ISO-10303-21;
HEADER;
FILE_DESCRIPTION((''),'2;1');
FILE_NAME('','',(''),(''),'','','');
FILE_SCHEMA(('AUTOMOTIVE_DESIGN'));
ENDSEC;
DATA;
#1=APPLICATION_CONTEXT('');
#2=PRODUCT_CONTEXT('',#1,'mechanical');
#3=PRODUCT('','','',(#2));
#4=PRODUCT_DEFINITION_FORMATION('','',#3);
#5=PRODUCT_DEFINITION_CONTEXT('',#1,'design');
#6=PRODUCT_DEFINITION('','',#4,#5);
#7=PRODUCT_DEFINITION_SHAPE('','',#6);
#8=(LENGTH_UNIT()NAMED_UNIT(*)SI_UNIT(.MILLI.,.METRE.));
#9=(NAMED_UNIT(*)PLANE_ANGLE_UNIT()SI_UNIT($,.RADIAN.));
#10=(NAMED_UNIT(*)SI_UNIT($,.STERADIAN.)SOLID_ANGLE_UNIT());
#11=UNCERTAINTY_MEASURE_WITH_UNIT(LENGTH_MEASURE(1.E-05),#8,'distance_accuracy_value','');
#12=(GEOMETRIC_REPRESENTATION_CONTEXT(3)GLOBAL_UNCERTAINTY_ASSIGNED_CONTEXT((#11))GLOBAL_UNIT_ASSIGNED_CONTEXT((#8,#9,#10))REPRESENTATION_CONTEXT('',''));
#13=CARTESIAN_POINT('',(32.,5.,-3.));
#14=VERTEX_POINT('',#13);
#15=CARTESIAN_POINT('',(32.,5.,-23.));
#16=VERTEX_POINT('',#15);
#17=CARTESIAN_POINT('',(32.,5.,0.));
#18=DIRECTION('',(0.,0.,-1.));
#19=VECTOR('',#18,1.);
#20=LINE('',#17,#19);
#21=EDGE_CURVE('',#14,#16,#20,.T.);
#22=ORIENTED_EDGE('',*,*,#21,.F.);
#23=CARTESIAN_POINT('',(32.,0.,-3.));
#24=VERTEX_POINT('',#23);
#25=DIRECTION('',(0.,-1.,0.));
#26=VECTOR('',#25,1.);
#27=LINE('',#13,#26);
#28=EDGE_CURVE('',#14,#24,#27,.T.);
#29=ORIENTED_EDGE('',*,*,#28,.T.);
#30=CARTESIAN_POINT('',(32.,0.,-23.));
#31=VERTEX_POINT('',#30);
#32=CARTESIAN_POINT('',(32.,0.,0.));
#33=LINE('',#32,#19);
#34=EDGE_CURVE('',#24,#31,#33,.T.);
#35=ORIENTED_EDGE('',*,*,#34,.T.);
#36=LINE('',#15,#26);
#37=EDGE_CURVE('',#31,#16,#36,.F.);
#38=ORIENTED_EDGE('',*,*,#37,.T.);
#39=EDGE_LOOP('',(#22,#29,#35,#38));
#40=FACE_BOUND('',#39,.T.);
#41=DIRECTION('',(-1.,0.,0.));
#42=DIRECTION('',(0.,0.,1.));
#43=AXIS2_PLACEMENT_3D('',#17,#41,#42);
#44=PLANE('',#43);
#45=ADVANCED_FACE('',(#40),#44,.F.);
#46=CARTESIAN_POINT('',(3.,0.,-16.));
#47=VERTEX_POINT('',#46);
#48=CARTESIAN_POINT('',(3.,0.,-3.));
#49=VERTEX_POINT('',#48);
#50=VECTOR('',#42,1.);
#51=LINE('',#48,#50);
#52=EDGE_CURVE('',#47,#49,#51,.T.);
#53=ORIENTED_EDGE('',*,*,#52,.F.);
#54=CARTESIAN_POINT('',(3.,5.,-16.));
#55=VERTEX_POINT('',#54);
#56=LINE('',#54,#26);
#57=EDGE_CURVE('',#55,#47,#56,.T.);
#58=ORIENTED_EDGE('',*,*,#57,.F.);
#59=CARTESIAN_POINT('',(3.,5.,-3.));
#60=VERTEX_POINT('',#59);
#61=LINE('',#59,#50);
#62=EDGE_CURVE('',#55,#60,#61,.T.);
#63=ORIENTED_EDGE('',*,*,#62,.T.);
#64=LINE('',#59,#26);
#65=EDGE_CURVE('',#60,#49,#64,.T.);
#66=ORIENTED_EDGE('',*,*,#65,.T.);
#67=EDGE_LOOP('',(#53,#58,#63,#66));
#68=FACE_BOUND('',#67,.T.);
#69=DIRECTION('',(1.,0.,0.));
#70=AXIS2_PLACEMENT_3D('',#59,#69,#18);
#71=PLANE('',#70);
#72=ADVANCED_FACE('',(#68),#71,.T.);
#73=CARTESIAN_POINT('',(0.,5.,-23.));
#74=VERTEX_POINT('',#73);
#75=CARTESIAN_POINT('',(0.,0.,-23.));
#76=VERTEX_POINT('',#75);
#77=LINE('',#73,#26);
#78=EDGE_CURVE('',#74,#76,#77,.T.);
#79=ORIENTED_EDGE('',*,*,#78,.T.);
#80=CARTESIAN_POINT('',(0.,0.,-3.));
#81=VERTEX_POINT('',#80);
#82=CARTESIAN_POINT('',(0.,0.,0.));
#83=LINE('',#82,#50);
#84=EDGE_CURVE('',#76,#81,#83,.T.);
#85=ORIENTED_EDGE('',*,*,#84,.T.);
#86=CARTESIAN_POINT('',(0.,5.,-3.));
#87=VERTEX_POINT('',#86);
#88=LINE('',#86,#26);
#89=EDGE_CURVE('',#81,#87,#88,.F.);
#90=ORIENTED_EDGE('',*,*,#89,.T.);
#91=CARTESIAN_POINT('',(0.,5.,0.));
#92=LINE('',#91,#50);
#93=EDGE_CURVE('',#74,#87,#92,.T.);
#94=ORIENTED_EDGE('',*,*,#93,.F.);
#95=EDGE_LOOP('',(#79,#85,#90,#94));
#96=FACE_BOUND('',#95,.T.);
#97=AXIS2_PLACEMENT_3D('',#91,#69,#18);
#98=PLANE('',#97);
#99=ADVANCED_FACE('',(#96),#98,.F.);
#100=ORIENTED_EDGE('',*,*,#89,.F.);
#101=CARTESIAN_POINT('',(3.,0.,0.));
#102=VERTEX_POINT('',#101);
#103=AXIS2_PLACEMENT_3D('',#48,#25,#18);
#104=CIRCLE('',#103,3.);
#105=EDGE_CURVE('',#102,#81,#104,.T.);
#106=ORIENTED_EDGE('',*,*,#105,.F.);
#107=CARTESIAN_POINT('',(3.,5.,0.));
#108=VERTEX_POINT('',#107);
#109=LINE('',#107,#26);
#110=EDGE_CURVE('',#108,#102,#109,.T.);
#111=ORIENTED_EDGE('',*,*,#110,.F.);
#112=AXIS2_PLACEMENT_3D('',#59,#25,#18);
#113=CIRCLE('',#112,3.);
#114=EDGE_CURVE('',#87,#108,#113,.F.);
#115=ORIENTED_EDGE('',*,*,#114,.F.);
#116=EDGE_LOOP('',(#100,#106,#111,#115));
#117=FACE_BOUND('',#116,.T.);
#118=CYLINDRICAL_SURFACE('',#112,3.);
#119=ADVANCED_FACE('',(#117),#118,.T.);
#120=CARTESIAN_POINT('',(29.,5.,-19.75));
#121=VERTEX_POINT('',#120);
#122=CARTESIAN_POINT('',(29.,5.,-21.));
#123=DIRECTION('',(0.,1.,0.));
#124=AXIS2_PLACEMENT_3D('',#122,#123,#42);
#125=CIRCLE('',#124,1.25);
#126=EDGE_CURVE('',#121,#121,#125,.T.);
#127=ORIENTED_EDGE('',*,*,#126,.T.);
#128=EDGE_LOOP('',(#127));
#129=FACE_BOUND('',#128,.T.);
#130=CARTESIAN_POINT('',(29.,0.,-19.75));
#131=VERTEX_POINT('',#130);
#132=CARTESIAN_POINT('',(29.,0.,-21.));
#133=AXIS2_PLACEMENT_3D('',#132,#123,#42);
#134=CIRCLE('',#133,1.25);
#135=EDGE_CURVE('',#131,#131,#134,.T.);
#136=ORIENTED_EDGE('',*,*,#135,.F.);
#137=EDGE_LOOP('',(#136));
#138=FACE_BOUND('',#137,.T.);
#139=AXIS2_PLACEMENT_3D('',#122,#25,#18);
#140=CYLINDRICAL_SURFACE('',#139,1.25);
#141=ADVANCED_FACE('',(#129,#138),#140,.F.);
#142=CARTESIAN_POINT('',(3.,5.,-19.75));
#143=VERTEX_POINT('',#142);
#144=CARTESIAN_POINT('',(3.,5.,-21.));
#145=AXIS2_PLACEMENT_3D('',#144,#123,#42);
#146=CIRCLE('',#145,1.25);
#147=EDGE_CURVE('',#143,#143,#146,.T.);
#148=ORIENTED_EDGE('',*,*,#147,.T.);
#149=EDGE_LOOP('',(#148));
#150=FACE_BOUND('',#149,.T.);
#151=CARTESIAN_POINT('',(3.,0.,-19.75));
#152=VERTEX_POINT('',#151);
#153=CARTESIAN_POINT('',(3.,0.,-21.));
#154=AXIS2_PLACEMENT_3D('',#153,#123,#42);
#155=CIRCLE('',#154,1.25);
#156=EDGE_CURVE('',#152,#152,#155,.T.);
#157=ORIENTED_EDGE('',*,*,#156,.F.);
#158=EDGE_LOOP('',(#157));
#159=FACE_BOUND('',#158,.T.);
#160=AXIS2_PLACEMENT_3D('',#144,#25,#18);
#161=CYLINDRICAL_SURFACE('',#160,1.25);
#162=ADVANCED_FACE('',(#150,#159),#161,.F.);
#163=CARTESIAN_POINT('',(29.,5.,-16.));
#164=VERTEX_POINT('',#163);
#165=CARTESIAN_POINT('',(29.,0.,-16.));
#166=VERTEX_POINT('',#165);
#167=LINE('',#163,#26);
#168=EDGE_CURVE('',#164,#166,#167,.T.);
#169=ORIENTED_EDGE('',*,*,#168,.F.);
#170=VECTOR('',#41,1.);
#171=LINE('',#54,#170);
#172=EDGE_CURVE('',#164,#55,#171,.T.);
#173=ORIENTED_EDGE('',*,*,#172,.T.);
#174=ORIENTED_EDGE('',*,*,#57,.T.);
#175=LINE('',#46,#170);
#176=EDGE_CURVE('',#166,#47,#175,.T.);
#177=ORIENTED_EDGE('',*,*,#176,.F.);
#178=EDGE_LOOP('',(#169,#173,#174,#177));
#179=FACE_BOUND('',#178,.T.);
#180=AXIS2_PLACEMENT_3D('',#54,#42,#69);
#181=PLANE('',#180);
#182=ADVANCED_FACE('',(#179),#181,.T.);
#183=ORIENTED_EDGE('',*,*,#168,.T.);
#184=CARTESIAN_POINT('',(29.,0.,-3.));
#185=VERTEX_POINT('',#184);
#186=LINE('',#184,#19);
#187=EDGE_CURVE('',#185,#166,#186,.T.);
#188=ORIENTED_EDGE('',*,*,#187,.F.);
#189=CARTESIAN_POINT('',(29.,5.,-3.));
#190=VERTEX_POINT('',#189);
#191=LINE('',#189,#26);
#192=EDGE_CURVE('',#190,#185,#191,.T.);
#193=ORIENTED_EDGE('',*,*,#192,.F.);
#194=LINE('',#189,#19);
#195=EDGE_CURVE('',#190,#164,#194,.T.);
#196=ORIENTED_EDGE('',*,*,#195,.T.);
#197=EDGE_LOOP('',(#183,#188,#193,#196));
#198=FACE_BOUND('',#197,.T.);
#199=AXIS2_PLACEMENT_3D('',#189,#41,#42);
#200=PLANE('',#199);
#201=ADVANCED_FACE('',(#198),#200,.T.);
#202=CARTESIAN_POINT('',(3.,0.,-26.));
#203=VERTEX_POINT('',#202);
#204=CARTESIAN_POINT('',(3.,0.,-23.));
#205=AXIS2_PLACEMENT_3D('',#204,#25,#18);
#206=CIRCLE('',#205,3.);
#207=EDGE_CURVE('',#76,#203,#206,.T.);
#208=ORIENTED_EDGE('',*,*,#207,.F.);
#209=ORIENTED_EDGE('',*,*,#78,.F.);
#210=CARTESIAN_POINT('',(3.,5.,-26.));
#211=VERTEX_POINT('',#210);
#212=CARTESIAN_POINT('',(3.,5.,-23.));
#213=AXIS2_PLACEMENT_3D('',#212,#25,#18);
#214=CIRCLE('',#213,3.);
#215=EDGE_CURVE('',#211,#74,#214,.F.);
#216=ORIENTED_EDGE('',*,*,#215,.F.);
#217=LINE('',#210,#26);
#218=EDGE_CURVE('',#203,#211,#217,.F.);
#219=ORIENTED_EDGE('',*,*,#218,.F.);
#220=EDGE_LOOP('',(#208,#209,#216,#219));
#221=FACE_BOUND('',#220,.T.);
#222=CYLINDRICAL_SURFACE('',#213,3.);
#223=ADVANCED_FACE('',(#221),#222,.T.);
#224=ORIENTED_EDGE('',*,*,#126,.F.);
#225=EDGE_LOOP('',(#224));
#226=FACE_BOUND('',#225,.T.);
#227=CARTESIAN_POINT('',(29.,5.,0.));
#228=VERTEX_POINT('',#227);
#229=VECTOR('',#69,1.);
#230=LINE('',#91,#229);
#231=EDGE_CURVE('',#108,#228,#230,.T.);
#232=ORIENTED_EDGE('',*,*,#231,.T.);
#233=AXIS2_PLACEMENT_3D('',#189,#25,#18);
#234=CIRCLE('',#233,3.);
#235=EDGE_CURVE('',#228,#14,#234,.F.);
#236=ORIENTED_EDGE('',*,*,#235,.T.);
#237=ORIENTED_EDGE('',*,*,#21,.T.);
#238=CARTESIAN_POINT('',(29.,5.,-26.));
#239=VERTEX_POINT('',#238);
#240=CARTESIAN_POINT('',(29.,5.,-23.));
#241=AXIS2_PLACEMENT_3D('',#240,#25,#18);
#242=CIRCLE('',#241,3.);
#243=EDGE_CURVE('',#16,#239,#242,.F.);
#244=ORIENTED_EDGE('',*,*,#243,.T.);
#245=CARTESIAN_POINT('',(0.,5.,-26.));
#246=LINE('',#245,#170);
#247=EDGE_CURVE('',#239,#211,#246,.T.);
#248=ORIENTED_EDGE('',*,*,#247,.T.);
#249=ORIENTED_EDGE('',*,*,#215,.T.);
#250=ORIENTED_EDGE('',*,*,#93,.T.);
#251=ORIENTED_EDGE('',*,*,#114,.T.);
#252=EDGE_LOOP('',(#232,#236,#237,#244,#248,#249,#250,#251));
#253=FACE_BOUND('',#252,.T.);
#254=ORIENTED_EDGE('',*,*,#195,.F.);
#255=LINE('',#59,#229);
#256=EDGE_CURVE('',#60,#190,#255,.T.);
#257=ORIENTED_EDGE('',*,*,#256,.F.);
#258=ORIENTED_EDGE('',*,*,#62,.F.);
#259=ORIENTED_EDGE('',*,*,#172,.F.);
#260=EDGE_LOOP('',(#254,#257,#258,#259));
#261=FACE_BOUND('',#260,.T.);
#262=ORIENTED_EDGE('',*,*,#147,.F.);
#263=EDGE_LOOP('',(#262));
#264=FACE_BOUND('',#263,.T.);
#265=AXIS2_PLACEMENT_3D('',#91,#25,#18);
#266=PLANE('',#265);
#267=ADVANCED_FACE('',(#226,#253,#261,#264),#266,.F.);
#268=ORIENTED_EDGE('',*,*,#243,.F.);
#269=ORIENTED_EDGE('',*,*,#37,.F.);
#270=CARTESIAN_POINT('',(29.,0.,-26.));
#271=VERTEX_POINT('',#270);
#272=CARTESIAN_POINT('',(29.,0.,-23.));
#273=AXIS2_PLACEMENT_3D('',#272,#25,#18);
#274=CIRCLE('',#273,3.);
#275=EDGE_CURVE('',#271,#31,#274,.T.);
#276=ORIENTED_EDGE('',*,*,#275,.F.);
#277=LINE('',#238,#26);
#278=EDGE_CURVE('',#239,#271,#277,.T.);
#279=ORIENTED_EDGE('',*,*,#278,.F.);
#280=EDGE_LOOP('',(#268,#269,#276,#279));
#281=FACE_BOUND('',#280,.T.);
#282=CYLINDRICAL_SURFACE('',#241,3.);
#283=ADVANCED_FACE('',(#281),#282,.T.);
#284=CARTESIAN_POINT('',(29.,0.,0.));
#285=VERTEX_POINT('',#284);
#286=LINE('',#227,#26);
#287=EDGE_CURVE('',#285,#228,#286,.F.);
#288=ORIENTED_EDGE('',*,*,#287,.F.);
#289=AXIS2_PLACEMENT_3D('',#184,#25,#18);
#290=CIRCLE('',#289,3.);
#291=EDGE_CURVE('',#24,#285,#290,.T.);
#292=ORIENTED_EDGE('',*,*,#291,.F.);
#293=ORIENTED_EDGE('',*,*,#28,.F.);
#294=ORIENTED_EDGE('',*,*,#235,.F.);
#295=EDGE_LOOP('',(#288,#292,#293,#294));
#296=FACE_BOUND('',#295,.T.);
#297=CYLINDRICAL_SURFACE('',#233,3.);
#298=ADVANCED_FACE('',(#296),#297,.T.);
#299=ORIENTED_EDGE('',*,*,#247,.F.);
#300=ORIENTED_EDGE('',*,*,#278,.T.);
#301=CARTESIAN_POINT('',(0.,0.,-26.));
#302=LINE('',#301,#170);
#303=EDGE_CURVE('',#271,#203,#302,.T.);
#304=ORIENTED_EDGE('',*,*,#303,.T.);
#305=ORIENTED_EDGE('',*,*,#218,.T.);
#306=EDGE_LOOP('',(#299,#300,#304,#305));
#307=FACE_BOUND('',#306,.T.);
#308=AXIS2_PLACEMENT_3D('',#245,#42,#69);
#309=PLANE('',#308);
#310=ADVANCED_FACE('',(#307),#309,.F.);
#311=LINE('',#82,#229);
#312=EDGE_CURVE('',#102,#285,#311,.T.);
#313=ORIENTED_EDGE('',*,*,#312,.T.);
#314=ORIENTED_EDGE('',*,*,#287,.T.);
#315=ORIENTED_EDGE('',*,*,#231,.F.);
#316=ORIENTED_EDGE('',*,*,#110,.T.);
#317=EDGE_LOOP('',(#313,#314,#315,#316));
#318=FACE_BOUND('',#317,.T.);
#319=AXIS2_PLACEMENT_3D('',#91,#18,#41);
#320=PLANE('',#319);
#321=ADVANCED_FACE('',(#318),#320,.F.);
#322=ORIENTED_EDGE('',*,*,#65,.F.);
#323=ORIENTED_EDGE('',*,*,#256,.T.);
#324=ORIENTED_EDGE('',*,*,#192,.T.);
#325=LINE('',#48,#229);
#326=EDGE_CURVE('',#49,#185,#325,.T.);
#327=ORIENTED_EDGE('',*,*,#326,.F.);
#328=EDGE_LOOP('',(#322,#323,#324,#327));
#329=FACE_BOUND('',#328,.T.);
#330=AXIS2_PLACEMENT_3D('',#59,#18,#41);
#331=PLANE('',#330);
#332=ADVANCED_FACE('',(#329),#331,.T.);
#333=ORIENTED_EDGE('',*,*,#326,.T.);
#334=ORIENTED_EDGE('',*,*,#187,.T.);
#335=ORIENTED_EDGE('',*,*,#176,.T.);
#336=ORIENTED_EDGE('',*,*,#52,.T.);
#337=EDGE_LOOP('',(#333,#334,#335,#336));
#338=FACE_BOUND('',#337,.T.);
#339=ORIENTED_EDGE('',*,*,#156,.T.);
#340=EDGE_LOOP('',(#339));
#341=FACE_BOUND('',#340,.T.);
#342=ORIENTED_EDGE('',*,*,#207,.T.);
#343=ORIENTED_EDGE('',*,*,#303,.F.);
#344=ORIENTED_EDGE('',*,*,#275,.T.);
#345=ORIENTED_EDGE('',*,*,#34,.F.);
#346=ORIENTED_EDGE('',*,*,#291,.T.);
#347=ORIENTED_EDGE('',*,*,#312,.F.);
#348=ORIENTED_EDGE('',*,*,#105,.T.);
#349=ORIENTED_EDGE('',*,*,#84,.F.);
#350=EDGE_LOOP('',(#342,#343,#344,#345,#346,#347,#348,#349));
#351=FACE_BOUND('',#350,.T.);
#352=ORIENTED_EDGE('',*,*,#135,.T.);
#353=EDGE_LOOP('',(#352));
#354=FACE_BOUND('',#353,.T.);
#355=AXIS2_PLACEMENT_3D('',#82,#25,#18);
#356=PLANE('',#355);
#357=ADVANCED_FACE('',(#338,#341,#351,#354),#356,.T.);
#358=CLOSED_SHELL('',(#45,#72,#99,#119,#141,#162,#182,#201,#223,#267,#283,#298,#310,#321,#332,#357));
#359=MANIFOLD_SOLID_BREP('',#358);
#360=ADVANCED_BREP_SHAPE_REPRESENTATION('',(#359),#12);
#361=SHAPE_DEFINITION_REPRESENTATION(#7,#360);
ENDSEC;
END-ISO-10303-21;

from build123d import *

# Parameters (mm, degrees)
SKETCH1_W           = 32
SKETCH1_H           = 26
SKETCH1_R           = 1.25
SKETCH1_W_2         = 26
SKETCH1_H_2         = 13
BOSS_EXTRUDE1_DEPTH = 5
FILLET1_R           = 3


with BuildPart() as part:
    # Sketch1 → Boss-Extrude1 (new body)
    with BuildSketch(Plane(origin=(0, 0, 0), x_dir=(1, 0, 0), z_dir=(0, 1, 0))):
        with Locations((16, 13)):
            Rectangle(SKETCH1_W, SKETCH1_H)
        with Locations((3, 21)):
            Circle(SKETCH1_R, mode=Mode.SUBTRACT)
        with Locations((29, 21)):
            Circle(SKETCH1_R, mode=Mode.SUBTRACT)
        with Locations((16, 9.5)):
            Rectangle(SKETCH1_W_2, SKETCH1_H_2, mode=Mode.SUBTRACT)
    extrude(amount=BOSS_EXTRUDE1_DEPTH)

    # Fillet1
    fillet1_edges = [part.edges().sort_by_distance(p)[0] for p in [
        (0, 2.5, -26),
        (32, 2.5, -26),
        (32, 2.5, 0),
        (0, 2.5, 0),
    ]]
    fillet(fillet1_edges, radius=FILLET1_R)


solid = part.part
